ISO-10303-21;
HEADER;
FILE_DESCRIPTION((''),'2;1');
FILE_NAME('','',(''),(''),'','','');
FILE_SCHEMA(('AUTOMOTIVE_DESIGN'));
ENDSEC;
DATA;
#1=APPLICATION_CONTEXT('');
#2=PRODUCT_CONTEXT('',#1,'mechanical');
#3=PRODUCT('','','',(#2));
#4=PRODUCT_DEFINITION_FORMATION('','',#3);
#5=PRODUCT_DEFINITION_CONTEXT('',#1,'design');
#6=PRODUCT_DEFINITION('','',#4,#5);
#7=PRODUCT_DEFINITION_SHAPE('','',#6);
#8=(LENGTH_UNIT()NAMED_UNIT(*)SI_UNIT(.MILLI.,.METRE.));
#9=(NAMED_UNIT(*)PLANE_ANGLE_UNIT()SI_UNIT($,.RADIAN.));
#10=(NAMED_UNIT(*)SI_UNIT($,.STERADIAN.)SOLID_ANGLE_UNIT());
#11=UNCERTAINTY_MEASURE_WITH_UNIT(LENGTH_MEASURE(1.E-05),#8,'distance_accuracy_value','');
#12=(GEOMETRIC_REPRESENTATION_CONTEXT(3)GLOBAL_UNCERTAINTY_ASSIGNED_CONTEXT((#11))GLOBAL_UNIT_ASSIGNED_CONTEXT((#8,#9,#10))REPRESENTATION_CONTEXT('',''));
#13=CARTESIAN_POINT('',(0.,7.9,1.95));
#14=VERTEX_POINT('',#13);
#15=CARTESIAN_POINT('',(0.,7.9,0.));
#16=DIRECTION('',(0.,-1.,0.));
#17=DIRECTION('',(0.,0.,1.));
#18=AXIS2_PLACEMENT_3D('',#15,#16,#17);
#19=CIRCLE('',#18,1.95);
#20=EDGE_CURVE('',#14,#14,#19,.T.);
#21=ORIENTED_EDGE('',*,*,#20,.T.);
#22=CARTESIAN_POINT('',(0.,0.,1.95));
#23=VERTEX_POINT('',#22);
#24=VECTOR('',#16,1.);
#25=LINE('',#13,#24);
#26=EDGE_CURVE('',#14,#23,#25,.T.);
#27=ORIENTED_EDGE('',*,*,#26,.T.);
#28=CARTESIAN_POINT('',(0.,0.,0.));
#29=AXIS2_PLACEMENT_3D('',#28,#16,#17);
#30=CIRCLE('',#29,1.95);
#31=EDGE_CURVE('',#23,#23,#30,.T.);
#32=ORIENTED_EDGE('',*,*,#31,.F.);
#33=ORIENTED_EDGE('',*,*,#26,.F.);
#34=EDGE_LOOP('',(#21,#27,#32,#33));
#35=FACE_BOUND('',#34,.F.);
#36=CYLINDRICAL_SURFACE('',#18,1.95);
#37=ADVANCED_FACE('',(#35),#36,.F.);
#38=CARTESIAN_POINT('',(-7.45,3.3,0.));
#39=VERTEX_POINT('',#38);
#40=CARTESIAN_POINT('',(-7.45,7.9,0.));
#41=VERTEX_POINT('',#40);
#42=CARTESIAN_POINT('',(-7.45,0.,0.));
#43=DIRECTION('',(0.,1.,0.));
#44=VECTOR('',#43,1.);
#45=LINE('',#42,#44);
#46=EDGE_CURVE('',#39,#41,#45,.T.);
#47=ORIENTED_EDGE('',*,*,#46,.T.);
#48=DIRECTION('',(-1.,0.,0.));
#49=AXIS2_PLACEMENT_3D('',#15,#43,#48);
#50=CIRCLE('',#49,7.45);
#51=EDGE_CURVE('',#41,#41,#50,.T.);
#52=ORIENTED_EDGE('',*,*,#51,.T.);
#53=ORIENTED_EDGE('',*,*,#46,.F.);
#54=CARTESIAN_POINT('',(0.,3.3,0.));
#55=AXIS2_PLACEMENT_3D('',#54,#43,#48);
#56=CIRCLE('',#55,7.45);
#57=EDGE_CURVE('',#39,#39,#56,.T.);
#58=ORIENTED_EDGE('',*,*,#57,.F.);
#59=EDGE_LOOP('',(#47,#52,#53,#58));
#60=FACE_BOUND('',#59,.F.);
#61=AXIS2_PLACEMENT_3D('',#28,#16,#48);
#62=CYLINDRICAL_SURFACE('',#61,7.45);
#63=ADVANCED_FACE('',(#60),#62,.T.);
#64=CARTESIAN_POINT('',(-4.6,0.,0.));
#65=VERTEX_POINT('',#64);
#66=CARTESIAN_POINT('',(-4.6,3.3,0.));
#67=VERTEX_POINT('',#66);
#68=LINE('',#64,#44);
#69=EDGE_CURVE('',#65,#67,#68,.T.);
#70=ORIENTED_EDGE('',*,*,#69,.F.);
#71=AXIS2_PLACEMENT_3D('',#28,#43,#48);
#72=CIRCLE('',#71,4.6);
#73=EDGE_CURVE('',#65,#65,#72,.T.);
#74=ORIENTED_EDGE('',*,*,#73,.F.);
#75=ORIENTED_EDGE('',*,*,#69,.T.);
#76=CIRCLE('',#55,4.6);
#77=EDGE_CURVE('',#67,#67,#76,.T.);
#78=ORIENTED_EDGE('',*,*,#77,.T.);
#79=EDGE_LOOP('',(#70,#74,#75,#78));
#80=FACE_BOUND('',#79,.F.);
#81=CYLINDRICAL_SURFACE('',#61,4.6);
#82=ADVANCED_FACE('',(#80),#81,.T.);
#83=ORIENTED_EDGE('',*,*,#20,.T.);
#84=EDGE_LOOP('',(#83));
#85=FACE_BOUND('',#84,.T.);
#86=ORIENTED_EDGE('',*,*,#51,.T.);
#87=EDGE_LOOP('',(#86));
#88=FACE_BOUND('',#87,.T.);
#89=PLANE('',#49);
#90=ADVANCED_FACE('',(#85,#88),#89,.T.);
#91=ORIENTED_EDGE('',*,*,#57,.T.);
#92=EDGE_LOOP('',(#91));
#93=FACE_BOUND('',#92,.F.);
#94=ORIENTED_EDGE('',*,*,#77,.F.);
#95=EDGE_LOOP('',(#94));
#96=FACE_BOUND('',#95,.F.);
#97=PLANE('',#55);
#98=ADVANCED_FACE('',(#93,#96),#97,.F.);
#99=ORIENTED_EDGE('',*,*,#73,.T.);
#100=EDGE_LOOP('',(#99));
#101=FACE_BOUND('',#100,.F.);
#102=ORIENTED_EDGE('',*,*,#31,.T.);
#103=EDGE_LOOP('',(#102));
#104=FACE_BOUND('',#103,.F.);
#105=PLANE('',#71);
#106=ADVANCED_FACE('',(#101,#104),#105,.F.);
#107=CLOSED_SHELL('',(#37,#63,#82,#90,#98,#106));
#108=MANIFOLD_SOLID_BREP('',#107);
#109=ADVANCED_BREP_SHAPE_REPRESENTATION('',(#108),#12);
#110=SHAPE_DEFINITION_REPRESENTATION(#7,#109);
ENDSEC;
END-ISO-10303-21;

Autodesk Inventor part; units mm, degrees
ref_plane "YZ Plane" through (0, 0, 0) normal (1, 0, 0) x (0, 1, 0)
ref_plane "XZ Plane" through (0, 0, 0) normal (0, 1, 0) x (-1, 0, 0)
ref_plane "XY Plane" through (0, 0, 0) normal (0, 0, 1) x (1, 0, 0)
sketch "Sketch1" plane through (0, 0, 0) normal (0, 1, 0) x (-1, 0, 0)
  circle A0 centre (0, 0) radius 7.45
  dimension "d0" = 14.9
extrude "Extrusion1" add sketch "Sketch1" along normal blind 7.9
sketch "Sketch2" plane through (0, 0, 0) normal (0, 1, 0) x (-1, 0, 0)
  circle A0 centre (0, 0) radius 4.6
  circle A1 centre (0, 0) radius 7.45
  dimension "d3" = 9.2
extrude "Extrusion2" cut sketch "Sketch2" along normal blind 3.3
sketch "Sketch3" plane through (0, 7.9, 0) normal (0, 1, 0) x (1, 0, 0)
  point P0 (0, 0)
  point P1 (0, 0)
hole "Hole1" at (0, 7.9, 0) direction (0, -1, 0) diameter 3.9 end through all
properties part number "HeadBarClampTurnwheel" material "UHMW, White"
